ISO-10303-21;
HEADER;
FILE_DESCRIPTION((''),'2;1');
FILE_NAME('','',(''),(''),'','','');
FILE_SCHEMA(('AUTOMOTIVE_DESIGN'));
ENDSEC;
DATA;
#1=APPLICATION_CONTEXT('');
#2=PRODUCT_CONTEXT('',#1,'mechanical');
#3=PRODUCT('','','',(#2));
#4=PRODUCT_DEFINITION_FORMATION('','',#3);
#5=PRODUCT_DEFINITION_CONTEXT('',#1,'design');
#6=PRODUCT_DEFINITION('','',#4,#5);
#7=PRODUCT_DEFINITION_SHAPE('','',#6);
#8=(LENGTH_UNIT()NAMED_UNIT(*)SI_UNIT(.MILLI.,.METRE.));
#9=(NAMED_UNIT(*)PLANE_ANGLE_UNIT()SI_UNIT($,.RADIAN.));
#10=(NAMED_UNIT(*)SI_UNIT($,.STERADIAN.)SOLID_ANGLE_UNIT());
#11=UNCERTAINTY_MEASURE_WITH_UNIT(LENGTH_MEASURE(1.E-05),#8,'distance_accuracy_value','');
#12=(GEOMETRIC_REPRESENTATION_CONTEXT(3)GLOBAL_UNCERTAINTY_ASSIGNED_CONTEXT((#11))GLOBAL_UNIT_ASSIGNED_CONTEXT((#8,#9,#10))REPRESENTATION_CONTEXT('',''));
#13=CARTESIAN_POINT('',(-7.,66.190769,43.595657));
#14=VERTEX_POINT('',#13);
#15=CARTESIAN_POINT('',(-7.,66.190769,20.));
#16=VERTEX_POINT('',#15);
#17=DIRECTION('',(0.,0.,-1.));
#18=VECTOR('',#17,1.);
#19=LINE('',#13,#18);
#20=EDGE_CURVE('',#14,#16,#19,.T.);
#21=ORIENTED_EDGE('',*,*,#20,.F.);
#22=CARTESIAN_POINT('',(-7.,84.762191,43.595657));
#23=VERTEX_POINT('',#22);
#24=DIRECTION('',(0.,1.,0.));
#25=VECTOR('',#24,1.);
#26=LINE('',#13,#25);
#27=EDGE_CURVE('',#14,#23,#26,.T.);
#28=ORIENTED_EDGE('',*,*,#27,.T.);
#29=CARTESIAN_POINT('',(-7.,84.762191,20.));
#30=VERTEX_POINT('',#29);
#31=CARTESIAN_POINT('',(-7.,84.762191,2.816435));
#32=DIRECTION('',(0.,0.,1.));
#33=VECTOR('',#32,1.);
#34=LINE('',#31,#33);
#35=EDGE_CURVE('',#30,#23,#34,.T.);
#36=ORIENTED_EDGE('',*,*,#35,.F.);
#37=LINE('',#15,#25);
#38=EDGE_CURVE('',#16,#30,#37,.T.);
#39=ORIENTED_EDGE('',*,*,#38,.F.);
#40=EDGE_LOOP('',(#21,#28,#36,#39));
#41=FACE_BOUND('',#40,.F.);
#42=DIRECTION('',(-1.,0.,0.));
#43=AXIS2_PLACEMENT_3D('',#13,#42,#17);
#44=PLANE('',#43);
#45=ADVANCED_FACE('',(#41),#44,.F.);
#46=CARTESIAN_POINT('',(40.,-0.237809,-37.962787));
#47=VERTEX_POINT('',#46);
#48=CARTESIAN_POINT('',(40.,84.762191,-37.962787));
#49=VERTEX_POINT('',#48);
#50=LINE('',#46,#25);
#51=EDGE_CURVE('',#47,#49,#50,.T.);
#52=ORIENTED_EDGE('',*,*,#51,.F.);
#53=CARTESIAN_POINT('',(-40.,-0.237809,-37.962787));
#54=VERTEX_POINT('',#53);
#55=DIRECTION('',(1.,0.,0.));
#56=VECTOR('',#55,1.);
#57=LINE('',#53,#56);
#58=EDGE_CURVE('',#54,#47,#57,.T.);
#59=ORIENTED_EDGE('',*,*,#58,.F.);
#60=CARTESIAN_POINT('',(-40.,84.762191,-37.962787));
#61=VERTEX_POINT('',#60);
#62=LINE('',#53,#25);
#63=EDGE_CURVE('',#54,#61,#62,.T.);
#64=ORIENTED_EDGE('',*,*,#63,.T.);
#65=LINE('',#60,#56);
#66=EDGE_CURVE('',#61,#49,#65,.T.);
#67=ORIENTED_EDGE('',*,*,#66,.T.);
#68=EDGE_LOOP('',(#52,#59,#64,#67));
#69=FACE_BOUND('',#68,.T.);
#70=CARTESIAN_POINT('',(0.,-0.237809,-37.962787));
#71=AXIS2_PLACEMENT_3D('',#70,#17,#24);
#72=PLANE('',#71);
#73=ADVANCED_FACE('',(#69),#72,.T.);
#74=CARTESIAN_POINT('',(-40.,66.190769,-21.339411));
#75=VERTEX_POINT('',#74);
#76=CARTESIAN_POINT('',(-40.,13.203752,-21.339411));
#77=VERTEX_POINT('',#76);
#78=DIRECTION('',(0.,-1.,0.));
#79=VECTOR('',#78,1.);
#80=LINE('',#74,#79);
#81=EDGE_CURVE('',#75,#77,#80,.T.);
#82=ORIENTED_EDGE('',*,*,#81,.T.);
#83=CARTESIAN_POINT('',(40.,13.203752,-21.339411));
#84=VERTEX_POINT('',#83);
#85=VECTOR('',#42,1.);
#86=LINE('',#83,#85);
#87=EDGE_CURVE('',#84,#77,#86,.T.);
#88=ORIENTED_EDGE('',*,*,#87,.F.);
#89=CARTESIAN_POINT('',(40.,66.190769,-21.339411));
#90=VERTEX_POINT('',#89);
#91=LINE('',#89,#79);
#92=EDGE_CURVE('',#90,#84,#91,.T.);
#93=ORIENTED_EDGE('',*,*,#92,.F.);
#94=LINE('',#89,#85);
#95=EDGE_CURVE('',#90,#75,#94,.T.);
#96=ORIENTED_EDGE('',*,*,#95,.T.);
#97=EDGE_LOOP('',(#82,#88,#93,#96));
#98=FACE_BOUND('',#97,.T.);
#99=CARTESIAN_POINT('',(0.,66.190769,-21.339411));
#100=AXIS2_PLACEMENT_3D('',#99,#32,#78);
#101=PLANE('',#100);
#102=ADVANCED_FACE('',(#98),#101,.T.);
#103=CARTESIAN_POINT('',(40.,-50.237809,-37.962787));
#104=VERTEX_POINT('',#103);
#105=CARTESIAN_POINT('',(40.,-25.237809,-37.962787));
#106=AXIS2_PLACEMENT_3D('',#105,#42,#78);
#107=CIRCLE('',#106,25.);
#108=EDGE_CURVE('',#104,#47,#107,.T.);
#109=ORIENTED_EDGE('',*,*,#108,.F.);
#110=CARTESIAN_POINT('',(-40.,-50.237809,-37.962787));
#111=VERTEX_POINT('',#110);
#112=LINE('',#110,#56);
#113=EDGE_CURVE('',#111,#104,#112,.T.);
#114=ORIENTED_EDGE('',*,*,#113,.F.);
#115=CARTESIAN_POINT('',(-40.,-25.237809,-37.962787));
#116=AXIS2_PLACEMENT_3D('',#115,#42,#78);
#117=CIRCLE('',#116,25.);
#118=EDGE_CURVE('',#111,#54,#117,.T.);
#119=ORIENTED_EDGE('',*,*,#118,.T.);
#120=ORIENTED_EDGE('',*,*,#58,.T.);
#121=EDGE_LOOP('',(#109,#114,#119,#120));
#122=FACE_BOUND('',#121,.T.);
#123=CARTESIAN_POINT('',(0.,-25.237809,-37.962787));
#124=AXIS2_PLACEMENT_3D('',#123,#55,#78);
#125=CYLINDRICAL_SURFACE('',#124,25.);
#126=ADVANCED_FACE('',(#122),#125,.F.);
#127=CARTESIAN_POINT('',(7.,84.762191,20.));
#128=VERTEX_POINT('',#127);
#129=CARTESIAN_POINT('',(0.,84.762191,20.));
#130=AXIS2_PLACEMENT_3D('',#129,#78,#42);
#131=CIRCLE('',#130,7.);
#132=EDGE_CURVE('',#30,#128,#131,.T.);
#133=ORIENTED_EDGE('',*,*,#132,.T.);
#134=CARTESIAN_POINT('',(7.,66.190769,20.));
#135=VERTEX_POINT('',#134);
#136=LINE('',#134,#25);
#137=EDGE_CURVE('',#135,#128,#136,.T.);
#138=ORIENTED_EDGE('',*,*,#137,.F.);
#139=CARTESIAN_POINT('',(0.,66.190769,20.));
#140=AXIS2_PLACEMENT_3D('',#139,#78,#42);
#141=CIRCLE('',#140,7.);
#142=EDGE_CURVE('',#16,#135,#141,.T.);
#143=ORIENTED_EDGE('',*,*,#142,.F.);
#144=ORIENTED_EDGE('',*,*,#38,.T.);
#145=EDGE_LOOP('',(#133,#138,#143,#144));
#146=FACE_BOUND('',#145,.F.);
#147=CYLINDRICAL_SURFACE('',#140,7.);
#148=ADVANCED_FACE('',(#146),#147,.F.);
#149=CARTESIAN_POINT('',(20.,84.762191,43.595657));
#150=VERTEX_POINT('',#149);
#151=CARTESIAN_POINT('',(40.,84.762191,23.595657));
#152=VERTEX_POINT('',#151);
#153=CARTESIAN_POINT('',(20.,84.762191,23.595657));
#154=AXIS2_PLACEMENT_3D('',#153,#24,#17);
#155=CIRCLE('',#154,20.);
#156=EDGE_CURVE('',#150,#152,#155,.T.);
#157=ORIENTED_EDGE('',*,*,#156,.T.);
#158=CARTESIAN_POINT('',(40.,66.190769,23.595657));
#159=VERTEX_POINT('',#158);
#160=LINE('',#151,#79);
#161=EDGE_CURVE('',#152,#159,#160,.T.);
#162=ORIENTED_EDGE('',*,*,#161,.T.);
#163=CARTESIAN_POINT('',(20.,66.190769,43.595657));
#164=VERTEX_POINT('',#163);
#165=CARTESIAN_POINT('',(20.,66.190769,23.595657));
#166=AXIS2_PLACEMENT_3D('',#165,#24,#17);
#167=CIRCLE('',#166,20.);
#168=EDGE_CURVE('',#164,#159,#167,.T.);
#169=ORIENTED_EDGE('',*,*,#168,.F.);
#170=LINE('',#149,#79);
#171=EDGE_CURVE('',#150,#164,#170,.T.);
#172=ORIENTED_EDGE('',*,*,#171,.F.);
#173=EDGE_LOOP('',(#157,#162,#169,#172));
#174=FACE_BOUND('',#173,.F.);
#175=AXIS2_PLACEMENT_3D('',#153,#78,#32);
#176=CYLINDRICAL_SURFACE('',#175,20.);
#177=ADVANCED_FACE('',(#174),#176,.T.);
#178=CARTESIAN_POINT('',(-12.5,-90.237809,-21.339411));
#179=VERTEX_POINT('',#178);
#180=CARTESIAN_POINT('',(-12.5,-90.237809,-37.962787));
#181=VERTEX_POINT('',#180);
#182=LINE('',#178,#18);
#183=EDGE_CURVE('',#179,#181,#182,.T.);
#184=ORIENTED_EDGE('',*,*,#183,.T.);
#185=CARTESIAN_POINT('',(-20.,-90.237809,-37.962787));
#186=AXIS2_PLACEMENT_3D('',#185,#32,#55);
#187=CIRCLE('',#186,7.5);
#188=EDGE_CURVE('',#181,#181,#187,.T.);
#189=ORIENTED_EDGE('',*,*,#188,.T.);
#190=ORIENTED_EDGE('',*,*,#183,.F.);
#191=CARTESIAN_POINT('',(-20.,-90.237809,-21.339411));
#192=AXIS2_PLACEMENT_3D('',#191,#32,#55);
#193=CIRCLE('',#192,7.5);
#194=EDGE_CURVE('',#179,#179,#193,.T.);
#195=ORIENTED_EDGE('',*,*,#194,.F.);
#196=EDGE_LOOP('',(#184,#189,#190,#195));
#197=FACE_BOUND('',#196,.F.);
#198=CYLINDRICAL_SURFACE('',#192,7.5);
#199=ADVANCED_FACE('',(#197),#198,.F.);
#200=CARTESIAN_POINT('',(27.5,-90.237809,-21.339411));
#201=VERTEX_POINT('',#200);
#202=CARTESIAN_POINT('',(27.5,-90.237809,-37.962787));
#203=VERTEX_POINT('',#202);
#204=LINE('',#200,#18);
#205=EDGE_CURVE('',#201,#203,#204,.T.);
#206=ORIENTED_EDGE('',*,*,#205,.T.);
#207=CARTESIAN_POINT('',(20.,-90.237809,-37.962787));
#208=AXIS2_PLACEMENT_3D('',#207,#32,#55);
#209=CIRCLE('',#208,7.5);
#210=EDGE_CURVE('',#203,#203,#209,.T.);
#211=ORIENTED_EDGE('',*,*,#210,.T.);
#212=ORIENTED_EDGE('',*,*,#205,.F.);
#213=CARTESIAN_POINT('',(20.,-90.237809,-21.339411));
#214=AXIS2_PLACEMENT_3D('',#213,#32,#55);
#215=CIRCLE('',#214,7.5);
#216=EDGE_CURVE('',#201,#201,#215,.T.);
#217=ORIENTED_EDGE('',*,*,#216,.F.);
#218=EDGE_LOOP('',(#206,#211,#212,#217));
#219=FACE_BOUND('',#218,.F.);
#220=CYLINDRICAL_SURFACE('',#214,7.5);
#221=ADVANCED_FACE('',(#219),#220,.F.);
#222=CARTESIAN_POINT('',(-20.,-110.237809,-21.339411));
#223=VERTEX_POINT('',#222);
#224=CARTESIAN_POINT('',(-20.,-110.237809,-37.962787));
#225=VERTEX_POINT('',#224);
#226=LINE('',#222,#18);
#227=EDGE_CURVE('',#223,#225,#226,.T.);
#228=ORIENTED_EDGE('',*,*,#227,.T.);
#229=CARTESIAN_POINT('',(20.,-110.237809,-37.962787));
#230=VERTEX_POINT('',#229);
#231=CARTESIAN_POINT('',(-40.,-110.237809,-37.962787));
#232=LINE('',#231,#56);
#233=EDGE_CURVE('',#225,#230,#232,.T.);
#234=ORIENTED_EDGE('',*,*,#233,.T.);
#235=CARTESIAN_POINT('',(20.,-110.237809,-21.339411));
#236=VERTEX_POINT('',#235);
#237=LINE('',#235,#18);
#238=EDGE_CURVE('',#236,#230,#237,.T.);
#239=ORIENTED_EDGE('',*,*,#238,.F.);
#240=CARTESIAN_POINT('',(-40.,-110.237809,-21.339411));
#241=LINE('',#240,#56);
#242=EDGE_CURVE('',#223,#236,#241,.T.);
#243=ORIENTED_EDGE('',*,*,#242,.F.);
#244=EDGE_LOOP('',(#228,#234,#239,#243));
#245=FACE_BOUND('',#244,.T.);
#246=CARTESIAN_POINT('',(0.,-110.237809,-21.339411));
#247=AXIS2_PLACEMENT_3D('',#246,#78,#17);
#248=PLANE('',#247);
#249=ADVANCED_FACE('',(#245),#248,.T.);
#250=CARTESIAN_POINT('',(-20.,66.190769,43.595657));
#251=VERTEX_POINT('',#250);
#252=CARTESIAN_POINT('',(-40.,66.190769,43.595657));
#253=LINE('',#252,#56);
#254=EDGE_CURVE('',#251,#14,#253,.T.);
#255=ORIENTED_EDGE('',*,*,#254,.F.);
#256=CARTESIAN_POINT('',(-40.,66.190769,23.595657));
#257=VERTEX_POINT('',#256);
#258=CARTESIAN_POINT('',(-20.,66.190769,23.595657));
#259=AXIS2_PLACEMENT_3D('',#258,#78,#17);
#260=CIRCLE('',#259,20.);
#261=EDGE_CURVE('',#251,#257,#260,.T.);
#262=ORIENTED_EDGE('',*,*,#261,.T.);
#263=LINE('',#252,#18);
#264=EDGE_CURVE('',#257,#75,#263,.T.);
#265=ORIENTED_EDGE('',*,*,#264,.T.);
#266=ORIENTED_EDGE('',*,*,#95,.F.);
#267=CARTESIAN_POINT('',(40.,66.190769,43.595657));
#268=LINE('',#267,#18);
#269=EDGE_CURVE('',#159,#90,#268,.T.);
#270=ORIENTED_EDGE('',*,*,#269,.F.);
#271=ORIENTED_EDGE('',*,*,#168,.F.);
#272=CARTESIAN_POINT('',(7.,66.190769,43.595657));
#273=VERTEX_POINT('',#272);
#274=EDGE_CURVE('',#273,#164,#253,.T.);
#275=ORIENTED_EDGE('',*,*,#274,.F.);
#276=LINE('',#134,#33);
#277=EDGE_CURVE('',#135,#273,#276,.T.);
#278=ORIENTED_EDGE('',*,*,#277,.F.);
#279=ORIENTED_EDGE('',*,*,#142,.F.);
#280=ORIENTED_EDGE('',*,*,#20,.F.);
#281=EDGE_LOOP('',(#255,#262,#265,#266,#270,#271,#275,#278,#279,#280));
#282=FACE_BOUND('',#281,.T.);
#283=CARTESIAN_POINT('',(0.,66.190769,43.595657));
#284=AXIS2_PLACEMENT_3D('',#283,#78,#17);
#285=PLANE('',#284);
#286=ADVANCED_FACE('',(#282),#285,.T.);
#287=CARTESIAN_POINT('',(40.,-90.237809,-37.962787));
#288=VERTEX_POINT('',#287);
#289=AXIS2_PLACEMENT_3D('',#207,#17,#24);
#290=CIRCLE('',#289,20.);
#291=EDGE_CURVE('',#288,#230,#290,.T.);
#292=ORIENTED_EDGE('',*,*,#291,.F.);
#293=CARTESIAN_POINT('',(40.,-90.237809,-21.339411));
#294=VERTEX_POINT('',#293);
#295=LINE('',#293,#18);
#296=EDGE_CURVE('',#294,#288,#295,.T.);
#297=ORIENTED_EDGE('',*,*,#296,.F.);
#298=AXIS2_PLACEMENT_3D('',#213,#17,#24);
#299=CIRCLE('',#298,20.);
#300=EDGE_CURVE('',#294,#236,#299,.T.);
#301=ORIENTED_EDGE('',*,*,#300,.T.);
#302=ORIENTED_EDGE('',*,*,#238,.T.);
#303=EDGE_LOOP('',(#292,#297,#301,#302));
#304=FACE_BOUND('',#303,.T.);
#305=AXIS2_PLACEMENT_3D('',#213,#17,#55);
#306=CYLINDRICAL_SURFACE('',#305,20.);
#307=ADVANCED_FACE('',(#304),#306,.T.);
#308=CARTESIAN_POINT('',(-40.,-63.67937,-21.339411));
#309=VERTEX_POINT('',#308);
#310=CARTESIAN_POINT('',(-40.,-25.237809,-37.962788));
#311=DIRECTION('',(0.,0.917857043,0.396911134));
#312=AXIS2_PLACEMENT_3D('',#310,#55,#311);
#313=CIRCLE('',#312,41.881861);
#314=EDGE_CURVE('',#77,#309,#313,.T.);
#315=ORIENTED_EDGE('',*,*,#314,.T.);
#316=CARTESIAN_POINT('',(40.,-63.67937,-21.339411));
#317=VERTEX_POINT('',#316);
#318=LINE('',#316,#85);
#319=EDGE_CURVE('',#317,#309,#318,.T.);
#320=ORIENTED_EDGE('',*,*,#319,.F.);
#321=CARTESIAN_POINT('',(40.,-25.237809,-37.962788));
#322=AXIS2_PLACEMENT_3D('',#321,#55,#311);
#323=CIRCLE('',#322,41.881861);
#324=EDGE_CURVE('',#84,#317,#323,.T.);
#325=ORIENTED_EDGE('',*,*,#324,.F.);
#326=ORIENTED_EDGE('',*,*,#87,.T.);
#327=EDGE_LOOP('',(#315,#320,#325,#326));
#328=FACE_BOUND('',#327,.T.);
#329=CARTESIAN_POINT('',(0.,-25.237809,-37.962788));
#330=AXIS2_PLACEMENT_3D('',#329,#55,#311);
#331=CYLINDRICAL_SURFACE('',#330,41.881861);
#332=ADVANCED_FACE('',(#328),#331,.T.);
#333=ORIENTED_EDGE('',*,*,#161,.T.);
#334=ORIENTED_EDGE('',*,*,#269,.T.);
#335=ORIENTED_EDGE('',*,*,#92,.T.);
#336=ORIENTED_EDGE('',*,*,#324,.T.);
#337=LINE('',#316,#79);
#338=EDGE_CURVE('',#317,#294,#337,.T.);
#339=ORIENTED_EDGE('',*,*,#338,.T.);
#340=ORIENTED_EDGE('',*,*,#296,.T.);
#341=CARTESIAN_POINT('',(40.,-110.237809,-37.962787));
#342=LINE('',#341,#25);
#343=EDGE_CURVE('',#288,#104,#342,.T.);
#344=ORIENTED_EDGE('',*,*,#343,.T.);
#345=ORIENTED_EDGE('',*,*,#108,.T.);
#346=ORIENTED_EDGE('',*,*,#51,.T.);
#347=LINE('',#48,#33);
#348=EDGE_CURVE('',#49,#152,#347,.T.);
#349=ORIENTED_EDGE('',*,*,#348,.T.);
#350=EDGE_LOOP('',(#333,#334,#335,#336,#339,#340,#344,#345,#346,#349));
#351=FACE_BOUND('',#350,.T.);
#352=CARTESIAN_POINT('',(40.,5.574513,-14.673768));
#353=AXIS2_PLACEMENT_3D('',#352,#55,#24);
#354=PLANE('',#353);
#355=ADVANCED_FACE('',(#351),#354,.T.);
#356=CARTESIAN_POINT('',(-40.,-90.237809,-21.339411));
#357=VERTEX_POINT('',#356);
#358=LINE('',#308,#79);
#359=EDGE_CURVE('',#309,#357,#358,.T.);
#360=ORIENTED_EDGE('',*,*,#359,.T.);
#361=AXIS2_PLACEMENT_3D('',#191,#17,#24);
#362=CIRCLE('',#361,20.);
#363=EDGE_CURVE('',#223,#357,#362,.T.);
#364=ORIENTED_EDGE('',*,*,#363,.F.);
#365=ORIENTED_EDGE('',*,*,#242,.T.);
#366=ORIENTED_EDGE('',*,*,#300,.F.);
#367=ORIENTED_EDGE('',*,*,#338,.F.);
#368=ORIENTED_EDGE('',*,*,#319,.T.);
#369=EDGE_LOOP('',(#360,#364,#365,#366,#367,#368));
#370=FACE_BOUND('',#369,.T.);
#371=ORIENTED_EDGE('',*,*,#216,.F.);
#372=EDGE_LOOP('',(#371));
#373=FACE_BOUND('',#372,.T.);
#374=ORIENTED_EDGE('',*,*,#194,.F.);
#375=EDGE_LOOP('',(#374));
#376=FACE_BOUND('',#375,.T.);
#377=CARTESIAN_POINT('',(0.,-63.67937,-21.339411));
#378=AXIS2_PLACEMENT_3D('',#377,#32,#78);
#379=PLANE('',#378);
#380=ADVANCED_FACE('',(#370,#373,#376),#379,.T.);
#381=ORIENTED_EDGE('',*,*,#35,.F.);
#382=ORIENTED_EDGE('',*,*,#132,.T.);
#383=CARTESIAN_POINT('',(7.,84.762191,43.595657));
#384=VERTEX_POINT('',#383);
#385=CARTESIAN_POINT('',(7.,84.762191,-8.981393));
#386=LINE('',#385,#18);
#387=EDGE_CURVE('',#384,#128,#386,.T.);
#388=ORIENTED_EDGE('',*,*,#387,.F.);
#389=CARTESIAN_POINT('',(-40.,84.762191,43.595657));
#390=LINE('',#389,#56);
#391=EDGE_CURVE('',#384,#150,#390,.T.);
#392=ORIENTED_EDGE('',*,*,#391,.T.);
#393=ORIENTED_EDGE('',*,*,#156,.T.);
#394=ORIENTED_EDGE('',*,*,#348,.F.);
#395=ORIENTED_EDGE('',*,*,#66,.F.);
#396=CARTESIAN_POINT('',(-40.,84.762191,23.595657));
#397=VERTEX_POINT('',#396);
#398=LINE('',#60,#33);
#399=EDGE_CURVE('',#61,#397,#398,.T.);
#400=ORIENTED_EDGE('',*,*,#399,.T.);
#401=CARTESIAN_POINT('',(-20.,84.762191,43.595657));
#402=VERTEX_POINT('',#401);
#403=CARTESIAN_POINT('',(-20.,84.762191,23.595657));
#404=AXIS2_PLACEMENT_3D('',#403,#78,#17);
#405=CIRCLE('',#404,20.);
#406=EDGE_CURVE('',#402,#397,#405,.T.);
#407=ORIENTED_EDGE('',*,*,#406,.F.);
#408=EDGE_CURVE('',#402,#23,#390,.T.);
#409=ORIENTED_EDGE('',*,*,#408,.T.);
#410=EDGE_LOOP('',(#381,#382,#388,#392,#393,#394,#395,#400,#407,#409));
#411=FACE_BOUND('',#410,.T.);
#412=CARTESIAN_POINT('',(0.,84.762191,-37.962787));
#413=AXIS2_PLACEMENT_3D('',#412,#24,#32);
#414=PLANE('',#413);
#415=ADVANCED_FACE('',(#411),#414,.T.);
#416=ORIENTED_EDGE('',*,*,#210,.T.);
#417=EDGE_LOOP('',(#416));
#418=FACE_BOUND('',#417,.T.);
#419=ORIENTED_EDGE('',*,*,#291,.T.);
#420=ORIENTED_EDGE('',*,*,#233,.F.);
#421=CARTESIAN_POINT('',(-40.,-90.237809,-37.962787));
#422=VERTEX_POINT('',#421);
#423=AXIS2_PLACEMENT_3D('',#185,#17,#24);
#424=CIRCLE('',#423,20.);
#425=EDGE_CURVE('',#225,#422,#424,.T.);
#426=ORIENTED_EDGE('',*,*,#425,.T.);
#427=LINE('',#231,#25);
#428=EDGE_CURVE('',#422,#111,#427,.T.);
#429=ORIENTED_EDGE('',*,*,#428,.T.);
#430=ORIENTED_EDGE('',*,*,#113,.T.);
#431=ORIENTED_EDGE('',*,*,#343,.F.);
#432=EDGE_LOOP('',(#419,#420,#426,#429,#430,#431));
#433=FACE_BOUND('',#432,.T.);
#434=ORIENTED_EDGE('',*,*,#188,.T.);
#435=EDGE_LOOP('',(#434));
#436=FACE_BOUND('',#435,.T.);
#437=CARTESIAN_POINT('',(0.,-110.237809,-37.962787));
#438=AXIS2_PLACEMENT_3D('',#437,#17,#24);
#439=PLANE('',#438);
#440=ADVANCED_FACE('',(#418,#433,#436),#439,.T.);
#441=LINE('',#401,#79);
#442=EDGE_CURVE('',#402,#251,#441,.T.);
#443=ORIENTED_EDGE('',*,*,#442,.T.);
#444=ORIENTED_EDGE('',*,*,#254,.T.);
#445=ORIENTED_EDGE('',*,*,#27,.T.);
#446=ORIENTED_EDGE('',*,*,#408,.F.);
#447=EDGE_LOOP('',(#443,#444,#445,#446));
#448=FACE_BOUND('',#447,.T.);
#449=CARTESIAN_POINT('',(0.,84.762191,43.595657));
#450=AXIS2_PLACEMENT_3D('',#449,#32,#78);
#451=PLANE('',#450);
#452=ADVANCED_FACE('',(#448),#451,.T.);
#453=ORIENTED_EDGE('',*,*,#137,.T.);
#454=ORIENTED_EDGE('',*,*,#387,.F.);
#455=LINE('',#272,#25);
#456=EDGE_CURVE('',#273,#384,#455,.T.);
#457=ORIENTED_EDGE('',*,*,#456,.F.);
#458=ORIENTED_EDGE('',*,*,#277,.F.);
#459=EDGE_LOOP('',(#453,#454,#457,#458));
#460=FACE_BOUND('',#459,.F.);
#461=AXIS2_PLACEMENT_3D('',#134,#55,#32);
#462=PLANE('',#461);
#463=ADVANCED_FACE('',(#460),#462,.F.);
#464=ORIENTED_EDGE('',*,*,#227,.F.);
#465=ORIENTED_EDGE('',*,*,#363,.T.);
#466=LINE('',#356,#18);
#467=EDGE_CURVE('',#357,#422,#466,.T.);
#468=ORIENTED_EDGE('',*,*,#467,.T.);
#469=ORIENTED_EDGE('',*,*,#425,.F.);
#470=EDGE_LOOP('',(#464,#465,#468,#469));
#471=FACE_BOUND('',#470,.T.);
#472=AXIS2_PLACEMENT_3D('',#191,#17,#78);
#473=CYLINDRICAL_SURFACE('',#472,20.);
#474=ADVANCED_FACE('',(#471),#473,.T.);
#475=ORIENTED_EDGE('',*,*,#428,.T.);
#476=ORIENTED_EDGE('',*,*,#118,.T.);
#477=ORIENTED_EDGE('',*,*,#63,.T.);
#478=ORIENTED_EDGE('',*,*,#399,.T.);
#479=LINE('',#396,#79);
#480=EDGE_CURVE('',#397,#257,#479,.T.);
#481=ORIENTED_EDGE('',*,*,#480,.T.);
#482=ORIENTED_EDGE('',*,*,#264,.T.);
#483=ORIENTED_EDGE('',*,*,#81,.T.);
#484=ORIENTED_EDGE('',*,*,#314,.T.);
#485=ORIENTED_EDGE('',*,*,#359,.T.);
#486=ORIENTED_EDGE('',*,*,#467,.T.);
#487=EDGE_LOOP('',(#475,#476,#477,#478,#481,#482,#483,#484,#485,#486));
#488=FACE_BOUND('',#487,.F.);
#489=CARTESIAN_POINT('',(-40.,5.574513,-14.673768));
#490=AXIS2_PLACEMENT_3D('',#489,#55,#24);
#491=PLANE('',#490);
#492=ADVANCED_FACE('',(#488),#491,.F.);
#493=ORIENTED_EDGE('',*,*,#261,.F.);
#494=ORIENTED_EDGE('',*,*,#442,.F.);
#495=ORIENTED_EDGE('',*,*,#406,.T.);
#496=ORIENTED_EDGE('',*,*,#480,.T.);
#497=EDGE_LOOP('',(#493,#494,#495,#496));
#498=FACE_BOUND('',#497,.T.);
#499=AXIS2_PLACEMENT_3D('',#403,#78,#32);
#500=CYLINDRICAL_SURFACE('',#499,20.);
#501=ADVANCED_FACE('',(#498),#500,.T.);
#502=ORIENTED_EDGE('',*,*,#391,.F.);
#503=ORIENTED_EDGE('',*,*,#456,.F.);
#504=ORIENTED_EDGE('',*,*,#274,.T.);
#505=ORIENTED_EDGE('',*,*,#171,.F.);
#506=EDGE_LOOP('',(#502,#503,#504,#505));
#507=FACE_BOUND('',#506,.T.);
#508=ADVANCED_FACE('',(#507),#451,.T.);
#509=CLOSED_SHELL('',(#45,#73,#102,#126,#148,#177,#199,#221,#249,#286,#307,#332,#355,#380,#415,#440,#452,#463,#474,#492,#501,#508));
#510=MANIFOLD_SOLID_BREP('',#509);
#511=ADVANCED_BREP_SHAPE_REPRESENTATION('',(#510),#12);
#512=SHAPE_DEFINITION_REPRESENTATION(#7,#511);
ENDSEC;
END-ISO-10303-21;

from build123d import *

# Parameters (mm, degrees)
F1_DEPTH = 40
F2_R     = 20
F4_DEPTH = 18.572422
F5_R     = 7.5
F6_DEPTH = 16.624377


with BuildPart() as f1:
    # F0 (on Right) → F1 (new body, symmetric)
    with BuildSketch(Plane.YZ):
        with BuildLine():
            Line((-63.67937, -21.339411), (-110.237809, -21.339411))
            Line((-110.237809, -21.339411), (-110.237809, -37.962787))
            Line((-110.237809, -37.962787), (-50.237809, -37.962787))
            ThreePointArc((-50.237809, -37.962787), (-25.237809, -12.962787), (-0.237809, -37.962787))
            Line((-0.237809, -37.962787), (84.762191, -37.962787))
            Line((84.762191, -37.962787), (84.762191, 43.595657))
            Line((84.762191, 43.595657), (66.190769, 43.595657))
            Line((66.190769, 43.595657), (66.190769, -21.339411))
            Line((66.190769, -21.339411), (13.203752, -21.339411))
            ThreePointArc((13.203752, -21.339411), (-25.237809, 3.919073), (-63.67937, -21.339411))
        make_face()
    extrude(amount=F1_DEPTH, both=True)

    # F2
    f2_edges = [f1.edges().sort_by_distance(p)[0] for p in [
        (40, -110.237809, -29.651099),
        (-40, -110.237809, -29.651099),
        (40, 75.47648, 43.595657),
        (-40, 75.47648, 43.595657),
    ]]
    fillet(f2_edges, radius=F2_R)

    # F3 (on face) → F4 (cut, through all)
    with BuildSketch(Plane.XZ.offset(-66.190769)):
        with BuildLine():
            Line((-7, 43.595657), (-7, 20))
            ThreePointArc((-7, 20), (0, 13), (7, 20))
            Line((7, 20), (7, 43.595657))
            Line((7, 43.595657), (-7, 43.595657))
        make_face()
    extrude(amount=-F4_DEPTH, mode=Mode.SUBTRACT)

    # F5 (on face) → F6 (cut, through all)
    with BuildSketch(Plane.XY.offset(-21.339411)):
        with Locations((-20, -90.237809)):
            Circle(F5_R)
        with Locations((20, -90.237809)):
            Circle(F5_R)
    extrude(amount=-F6_DEPTH, mode=Mode.SUBTRACT)


solid = f1.part
